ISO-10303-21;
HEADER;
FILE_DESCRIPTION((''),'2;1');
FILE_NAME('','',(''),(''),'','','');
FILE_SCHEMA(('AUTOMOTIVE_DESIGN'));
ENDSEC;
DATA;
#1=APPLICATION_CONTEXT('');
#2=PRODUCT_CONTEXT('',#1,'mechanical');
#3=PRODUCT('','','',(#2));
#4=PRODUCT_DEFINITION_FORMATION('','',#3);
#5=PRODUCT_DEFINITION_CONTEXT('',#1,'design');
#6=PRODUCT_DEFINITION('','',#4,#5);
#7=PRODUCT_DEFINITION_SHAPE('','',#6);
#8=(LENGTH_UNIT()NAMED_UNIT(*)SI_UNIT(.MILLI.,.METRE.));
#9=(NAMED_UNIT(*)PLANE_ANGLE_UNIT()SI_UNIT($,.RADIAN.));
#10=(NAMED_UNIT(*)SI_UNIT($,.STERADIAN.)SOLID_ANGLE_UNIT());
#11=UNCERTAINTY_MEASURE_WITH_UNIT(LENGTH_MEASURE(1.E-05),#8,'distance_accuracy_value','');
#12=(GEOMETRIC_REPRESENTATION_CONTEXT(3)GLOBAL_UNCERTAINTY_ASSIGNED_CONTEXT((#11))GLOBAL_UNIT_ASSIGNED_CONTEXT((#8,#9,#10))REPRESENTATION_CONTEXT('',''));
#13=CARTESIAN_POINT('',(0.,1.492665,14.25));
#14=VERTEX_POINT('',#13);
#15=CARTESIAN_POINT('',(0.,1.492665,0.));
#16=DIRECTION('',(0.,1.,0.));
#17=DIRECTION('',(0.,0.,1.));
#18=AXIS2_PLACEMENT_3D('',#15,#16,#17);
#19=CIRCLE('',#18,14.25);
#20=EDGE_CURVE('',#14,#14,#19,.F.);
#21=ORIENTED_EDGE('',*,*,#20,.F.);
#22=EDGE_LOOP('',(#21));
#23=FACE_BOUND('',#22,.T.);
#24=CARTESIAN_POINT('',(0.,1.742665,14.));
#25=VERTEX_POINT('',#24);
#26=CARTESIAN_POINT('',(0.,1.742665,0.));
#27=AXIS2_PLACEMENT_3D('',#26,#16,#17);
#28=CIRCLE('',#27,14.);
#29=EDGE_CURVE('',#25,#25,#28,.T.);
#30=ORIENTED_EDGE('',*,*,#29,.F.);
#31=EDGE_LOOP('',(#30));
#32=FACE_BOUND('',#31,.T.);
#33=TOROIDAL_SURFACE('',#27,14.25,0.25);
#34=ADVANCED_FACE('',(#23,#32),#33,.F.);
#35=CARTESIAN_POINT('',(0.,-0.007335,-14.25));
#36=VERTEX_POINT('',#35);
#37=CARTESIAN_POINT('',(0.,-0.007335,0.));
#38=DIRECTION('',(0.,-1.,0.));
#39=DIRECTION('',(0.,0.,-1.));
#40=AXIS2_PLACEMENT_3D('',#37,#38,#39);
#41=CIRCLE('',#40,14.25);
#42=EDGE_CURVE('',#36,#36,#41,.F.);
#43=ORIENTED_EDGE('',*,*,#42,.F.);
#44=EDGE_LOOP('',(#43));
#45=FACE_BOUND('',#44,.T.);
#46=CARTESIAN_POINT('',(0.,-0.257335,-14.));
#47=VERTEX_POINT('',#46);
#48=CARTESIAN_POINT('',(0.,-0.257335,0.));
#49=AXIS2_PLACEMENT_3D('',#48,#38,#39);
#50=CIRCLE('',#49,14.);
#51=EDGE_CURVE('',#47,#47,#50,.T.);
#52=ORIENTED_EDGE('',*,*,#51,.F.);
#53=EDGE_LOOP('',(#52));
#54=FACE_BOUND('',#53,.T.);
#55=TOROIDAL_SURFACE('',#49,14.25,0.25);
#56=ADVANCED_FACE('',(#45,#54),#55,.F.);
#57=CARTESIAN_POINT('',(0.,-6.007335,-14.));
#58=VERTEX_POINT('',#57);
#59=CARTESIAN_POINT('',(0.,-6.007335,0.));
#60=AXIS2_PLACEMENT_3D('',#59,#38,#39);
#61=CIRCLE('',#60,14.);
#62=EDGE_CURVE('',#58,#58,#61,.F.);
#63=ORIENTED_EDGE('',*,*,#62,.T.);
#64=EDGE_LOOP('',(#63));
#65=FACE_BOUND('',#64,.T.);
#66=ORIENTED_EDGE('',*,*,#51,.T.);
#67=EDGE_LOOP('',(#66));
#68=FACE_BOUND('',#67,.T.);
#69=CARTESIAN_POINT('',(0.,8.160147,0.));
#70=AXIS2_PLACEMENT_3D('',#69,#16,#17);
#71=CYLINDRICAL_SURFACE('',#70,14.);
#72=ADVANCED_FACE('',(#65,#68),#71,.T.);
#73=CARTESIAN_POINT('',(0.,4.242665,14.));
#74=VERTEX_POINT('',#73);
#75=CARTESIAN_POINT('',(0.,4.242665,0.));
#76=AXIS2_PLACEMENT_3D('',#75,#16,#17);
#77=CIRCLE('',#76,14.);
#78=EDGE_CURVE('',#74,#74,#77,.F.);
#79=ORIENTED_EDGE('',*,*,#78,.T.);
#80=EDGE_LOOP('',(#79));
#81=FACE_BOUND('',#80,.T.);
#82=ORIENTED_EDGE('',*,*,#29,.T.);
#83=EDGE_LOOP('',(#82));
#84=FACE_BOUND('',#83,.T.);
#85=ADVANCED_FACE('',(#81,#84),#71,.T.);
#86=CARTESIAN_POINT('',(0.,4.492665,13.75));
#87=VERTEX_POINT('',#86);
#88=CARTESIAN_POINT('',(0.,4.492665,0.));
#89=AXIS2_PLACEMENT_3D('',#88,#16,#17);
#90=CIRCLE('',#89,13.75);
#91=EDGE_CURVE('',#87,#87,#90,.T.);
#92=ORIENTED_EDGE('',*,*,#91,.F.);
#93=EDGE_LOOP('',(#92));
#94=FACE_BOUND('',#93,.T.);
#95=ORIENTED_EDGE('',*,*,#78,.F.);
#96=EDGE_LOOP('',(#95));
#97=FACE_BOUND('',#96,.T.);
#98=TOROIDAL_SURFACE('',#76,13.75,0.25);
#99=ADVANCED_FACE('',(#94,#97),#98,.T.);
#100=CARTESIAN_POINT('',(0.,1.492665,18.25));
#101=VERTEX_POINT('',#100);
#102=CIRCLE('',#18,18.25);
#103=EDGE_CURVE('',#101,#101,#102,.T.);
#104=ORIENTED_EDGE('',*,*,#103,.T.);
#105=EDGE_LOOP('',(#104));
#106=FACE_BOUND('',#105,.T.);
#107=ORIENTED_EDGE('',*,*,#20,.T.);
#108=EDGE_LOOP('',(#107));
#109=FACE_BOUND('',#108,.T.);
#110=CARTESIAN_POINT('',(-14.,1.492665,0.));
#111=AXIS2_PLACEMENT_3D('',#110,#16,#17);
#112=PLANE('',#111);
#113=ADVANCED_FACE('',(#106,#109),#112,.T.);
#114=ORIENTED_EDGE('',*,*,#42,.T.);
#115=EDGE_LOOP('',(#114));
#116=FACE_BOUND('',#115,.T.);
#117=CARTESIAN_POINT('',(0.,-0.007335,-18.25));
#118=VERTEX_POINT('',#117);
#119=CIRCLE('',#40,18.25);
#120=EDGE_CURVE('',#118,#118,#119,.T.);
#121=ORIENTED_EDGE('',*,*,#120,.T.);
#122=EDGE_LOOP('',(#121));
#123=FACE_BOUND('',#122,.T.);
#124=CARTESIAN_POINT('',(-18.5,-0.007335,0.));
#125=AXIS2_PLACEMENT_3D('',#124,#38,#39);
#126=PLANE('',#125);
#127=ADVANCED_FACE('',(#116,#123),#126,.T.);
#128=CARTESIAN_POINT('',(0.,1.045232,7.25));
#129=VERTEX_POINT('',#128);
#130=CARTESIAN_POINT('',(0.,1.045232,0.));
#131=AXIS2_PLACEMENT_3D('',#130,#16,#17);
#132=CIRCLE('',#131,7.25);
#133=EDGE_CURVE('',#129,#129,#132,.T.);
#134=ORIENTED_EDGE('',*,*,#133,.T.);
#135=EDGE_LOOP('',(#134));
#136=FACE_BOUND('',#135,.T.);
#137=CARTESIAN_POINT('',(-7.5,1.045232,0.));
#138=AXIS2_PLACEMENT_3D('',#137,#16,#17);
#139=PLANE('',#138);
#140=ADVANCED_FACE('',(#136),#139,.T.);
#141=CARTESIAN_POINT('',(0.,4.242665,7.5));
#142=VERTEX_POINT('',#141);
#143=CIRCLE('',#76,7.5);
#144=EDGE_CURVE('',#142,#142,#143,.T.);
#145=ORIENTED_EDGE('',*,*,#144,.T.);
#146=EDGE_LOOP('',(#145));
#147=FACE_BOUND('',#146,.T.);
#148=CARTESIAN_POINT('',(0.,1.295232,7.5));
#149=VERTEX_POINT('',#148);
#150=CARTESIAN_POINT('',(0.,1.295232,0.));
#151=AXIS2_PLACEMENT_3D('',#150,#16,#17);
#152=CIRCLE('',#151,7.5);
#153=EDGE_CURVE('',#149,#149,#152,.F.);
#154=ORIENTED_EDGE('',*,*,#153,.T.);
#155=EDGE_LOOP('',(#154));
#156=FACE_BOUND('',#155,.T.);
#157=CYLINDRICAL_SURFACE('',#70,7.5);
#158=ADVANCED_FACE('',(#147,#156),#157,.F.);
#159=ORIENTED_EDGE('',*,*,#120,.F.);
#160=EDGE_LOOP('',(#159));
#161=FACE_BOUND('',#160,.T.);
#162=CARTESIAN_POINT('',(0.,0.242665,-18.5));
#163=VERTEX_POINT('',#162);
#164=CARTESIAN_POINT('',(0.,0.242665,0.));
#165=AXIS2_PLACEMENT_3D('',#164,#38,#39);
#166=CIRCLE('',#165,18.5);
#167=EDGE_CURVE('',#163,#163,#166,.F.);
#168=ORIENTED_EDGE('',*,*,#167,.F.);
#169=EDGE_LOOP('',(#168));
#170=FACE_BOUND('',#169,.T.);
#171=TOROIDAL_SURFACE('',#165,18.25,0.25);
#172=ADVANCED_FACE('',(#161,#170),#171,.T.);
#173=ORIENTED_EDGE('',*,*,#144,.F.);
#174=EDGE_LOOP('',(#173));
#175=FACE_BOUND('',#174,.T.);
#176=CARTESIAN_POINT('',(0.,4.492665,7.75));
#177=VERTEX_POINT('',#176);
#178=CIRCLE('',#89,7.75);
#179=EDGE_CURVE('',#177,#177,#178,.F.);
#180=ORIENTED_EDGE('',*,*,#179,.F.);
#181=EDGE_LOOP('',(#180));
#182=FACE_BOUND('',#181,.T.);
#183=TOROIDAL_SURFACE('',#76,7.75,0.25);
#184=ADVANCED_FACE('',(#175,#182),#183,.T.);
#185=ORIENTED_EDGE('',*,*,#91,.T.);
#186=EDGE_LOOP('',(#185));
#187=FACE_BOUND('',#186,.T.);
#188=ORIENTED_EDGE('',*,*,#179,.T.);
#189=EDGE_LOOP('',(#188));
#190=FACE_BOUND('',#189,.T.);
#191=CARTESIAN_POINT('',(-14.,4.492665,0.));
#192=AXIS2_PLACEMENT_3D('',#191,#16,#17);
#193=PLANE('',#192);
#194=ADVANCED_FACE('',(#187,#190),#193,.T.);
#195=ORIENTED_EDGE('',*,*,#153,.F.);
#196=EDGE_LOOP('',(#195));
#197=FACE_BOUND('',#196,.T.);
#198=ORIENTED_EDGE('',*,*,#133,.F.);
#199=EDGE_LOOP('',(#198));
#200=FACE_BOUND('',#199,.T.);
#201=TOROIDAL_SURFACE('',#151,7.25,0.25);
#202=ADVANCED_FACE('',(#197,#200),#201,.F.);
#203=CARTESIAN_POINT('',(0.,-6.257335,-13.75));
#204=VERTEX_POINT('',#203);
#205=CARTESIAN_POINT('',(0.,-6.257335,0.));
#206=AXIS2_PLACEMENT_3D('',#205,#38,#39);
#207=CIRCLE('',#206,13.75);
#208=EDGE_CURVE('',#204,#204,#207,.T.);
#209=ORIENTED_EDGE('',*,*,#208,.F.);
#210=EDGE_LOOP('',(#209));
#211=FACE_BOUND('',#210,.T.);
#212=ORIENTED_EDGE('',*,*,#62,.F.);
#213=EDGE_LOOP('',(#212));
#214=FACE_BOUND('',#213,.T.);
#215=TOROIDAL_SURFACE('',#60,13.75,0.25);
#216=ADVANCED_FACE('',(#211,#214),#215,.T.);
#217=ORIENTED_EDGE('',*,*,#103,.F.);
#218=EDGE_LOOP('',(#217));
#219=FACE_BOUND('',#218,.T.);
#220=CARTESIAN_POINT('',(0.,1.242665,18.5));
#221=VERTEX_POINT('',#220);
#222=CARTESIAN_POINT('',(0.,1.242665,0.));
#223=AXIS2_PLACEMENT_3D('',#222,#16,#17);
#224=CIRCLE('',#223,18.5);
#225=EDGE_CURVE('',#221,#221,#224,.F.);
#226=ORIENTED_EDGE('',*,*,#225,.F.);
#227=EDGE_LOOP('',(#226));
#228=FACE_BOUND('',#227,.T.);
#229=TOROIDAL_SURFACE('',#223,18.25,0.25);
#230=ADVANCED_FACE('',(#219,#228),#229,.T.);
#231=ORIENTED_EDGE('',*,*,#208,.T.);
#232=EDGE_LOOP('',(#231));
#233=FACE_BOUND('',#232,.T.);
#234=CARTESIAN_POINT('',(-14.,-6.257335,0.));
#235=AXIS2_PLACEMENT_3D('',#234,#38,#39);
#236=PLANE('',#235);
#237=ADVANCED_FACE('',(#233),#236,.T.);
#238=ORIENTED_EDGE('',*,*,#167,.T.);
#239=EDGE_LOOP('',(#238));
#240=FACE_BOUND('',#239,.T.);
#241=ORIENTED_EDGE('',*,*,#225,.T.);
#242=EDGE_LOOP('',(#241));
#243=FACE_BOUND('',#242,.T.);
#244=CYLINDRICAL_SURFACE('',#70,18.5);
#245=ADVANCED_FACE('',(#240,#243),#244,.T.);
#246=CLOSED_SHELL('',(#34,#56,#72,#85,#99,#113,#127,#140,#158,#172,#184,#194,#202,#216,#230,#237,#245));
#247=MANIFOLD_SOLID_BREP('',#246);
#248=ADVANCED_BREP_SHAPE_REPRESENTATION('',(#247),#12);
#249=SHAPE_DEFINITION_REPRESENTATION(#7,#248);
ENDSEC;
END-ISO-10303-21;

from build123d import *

# Parameters (mm, degrees)
FILLET1_R = 0.25


with BuildPart() as part:
    # Sketch1 → Revolve1 (revolve)
    with BuildSketch(Plane.XY, mode=Mode.PRIVATE) as revolve1_sk:
        Polygon((-14, 4.492665037), (-7.5, 4.492665037), (-7.5, 1.045232274), (0, 1.045232274), (0, -6.257334963), (-14, -6.257334963), (-14, -0.007334963), (-18.5, -0.007334963), (-18.5, 1.492665037), (-14, 1.492665037), align=None)
    revolve(revolve1_sk.sketch.rotate(Axis((0, 8.160146699, 0), (0, -1, 0)), 270), axis=Axis((0, 8.160146699, 0), (0, -1, 0)))

    # Fillet1
    fillet1_edges = [part.edges().sort_by_distance(p)[0] for p in [
        (0, 1.045232274, -7.5),
        (0, 4.492665037, -7.5),
        (0, 4.492665037, -14),
        (0, 1.492665037, -14),
        (0, 1.492665037, -18.5),
        (0, -0.007334963, -18.5),
        (0, -0.007334963, -14),
        (0, -6.257334963, -14),
    ]]
    fillet(fillet1_edges, radius=FILLET1_R)


solid = part.part
